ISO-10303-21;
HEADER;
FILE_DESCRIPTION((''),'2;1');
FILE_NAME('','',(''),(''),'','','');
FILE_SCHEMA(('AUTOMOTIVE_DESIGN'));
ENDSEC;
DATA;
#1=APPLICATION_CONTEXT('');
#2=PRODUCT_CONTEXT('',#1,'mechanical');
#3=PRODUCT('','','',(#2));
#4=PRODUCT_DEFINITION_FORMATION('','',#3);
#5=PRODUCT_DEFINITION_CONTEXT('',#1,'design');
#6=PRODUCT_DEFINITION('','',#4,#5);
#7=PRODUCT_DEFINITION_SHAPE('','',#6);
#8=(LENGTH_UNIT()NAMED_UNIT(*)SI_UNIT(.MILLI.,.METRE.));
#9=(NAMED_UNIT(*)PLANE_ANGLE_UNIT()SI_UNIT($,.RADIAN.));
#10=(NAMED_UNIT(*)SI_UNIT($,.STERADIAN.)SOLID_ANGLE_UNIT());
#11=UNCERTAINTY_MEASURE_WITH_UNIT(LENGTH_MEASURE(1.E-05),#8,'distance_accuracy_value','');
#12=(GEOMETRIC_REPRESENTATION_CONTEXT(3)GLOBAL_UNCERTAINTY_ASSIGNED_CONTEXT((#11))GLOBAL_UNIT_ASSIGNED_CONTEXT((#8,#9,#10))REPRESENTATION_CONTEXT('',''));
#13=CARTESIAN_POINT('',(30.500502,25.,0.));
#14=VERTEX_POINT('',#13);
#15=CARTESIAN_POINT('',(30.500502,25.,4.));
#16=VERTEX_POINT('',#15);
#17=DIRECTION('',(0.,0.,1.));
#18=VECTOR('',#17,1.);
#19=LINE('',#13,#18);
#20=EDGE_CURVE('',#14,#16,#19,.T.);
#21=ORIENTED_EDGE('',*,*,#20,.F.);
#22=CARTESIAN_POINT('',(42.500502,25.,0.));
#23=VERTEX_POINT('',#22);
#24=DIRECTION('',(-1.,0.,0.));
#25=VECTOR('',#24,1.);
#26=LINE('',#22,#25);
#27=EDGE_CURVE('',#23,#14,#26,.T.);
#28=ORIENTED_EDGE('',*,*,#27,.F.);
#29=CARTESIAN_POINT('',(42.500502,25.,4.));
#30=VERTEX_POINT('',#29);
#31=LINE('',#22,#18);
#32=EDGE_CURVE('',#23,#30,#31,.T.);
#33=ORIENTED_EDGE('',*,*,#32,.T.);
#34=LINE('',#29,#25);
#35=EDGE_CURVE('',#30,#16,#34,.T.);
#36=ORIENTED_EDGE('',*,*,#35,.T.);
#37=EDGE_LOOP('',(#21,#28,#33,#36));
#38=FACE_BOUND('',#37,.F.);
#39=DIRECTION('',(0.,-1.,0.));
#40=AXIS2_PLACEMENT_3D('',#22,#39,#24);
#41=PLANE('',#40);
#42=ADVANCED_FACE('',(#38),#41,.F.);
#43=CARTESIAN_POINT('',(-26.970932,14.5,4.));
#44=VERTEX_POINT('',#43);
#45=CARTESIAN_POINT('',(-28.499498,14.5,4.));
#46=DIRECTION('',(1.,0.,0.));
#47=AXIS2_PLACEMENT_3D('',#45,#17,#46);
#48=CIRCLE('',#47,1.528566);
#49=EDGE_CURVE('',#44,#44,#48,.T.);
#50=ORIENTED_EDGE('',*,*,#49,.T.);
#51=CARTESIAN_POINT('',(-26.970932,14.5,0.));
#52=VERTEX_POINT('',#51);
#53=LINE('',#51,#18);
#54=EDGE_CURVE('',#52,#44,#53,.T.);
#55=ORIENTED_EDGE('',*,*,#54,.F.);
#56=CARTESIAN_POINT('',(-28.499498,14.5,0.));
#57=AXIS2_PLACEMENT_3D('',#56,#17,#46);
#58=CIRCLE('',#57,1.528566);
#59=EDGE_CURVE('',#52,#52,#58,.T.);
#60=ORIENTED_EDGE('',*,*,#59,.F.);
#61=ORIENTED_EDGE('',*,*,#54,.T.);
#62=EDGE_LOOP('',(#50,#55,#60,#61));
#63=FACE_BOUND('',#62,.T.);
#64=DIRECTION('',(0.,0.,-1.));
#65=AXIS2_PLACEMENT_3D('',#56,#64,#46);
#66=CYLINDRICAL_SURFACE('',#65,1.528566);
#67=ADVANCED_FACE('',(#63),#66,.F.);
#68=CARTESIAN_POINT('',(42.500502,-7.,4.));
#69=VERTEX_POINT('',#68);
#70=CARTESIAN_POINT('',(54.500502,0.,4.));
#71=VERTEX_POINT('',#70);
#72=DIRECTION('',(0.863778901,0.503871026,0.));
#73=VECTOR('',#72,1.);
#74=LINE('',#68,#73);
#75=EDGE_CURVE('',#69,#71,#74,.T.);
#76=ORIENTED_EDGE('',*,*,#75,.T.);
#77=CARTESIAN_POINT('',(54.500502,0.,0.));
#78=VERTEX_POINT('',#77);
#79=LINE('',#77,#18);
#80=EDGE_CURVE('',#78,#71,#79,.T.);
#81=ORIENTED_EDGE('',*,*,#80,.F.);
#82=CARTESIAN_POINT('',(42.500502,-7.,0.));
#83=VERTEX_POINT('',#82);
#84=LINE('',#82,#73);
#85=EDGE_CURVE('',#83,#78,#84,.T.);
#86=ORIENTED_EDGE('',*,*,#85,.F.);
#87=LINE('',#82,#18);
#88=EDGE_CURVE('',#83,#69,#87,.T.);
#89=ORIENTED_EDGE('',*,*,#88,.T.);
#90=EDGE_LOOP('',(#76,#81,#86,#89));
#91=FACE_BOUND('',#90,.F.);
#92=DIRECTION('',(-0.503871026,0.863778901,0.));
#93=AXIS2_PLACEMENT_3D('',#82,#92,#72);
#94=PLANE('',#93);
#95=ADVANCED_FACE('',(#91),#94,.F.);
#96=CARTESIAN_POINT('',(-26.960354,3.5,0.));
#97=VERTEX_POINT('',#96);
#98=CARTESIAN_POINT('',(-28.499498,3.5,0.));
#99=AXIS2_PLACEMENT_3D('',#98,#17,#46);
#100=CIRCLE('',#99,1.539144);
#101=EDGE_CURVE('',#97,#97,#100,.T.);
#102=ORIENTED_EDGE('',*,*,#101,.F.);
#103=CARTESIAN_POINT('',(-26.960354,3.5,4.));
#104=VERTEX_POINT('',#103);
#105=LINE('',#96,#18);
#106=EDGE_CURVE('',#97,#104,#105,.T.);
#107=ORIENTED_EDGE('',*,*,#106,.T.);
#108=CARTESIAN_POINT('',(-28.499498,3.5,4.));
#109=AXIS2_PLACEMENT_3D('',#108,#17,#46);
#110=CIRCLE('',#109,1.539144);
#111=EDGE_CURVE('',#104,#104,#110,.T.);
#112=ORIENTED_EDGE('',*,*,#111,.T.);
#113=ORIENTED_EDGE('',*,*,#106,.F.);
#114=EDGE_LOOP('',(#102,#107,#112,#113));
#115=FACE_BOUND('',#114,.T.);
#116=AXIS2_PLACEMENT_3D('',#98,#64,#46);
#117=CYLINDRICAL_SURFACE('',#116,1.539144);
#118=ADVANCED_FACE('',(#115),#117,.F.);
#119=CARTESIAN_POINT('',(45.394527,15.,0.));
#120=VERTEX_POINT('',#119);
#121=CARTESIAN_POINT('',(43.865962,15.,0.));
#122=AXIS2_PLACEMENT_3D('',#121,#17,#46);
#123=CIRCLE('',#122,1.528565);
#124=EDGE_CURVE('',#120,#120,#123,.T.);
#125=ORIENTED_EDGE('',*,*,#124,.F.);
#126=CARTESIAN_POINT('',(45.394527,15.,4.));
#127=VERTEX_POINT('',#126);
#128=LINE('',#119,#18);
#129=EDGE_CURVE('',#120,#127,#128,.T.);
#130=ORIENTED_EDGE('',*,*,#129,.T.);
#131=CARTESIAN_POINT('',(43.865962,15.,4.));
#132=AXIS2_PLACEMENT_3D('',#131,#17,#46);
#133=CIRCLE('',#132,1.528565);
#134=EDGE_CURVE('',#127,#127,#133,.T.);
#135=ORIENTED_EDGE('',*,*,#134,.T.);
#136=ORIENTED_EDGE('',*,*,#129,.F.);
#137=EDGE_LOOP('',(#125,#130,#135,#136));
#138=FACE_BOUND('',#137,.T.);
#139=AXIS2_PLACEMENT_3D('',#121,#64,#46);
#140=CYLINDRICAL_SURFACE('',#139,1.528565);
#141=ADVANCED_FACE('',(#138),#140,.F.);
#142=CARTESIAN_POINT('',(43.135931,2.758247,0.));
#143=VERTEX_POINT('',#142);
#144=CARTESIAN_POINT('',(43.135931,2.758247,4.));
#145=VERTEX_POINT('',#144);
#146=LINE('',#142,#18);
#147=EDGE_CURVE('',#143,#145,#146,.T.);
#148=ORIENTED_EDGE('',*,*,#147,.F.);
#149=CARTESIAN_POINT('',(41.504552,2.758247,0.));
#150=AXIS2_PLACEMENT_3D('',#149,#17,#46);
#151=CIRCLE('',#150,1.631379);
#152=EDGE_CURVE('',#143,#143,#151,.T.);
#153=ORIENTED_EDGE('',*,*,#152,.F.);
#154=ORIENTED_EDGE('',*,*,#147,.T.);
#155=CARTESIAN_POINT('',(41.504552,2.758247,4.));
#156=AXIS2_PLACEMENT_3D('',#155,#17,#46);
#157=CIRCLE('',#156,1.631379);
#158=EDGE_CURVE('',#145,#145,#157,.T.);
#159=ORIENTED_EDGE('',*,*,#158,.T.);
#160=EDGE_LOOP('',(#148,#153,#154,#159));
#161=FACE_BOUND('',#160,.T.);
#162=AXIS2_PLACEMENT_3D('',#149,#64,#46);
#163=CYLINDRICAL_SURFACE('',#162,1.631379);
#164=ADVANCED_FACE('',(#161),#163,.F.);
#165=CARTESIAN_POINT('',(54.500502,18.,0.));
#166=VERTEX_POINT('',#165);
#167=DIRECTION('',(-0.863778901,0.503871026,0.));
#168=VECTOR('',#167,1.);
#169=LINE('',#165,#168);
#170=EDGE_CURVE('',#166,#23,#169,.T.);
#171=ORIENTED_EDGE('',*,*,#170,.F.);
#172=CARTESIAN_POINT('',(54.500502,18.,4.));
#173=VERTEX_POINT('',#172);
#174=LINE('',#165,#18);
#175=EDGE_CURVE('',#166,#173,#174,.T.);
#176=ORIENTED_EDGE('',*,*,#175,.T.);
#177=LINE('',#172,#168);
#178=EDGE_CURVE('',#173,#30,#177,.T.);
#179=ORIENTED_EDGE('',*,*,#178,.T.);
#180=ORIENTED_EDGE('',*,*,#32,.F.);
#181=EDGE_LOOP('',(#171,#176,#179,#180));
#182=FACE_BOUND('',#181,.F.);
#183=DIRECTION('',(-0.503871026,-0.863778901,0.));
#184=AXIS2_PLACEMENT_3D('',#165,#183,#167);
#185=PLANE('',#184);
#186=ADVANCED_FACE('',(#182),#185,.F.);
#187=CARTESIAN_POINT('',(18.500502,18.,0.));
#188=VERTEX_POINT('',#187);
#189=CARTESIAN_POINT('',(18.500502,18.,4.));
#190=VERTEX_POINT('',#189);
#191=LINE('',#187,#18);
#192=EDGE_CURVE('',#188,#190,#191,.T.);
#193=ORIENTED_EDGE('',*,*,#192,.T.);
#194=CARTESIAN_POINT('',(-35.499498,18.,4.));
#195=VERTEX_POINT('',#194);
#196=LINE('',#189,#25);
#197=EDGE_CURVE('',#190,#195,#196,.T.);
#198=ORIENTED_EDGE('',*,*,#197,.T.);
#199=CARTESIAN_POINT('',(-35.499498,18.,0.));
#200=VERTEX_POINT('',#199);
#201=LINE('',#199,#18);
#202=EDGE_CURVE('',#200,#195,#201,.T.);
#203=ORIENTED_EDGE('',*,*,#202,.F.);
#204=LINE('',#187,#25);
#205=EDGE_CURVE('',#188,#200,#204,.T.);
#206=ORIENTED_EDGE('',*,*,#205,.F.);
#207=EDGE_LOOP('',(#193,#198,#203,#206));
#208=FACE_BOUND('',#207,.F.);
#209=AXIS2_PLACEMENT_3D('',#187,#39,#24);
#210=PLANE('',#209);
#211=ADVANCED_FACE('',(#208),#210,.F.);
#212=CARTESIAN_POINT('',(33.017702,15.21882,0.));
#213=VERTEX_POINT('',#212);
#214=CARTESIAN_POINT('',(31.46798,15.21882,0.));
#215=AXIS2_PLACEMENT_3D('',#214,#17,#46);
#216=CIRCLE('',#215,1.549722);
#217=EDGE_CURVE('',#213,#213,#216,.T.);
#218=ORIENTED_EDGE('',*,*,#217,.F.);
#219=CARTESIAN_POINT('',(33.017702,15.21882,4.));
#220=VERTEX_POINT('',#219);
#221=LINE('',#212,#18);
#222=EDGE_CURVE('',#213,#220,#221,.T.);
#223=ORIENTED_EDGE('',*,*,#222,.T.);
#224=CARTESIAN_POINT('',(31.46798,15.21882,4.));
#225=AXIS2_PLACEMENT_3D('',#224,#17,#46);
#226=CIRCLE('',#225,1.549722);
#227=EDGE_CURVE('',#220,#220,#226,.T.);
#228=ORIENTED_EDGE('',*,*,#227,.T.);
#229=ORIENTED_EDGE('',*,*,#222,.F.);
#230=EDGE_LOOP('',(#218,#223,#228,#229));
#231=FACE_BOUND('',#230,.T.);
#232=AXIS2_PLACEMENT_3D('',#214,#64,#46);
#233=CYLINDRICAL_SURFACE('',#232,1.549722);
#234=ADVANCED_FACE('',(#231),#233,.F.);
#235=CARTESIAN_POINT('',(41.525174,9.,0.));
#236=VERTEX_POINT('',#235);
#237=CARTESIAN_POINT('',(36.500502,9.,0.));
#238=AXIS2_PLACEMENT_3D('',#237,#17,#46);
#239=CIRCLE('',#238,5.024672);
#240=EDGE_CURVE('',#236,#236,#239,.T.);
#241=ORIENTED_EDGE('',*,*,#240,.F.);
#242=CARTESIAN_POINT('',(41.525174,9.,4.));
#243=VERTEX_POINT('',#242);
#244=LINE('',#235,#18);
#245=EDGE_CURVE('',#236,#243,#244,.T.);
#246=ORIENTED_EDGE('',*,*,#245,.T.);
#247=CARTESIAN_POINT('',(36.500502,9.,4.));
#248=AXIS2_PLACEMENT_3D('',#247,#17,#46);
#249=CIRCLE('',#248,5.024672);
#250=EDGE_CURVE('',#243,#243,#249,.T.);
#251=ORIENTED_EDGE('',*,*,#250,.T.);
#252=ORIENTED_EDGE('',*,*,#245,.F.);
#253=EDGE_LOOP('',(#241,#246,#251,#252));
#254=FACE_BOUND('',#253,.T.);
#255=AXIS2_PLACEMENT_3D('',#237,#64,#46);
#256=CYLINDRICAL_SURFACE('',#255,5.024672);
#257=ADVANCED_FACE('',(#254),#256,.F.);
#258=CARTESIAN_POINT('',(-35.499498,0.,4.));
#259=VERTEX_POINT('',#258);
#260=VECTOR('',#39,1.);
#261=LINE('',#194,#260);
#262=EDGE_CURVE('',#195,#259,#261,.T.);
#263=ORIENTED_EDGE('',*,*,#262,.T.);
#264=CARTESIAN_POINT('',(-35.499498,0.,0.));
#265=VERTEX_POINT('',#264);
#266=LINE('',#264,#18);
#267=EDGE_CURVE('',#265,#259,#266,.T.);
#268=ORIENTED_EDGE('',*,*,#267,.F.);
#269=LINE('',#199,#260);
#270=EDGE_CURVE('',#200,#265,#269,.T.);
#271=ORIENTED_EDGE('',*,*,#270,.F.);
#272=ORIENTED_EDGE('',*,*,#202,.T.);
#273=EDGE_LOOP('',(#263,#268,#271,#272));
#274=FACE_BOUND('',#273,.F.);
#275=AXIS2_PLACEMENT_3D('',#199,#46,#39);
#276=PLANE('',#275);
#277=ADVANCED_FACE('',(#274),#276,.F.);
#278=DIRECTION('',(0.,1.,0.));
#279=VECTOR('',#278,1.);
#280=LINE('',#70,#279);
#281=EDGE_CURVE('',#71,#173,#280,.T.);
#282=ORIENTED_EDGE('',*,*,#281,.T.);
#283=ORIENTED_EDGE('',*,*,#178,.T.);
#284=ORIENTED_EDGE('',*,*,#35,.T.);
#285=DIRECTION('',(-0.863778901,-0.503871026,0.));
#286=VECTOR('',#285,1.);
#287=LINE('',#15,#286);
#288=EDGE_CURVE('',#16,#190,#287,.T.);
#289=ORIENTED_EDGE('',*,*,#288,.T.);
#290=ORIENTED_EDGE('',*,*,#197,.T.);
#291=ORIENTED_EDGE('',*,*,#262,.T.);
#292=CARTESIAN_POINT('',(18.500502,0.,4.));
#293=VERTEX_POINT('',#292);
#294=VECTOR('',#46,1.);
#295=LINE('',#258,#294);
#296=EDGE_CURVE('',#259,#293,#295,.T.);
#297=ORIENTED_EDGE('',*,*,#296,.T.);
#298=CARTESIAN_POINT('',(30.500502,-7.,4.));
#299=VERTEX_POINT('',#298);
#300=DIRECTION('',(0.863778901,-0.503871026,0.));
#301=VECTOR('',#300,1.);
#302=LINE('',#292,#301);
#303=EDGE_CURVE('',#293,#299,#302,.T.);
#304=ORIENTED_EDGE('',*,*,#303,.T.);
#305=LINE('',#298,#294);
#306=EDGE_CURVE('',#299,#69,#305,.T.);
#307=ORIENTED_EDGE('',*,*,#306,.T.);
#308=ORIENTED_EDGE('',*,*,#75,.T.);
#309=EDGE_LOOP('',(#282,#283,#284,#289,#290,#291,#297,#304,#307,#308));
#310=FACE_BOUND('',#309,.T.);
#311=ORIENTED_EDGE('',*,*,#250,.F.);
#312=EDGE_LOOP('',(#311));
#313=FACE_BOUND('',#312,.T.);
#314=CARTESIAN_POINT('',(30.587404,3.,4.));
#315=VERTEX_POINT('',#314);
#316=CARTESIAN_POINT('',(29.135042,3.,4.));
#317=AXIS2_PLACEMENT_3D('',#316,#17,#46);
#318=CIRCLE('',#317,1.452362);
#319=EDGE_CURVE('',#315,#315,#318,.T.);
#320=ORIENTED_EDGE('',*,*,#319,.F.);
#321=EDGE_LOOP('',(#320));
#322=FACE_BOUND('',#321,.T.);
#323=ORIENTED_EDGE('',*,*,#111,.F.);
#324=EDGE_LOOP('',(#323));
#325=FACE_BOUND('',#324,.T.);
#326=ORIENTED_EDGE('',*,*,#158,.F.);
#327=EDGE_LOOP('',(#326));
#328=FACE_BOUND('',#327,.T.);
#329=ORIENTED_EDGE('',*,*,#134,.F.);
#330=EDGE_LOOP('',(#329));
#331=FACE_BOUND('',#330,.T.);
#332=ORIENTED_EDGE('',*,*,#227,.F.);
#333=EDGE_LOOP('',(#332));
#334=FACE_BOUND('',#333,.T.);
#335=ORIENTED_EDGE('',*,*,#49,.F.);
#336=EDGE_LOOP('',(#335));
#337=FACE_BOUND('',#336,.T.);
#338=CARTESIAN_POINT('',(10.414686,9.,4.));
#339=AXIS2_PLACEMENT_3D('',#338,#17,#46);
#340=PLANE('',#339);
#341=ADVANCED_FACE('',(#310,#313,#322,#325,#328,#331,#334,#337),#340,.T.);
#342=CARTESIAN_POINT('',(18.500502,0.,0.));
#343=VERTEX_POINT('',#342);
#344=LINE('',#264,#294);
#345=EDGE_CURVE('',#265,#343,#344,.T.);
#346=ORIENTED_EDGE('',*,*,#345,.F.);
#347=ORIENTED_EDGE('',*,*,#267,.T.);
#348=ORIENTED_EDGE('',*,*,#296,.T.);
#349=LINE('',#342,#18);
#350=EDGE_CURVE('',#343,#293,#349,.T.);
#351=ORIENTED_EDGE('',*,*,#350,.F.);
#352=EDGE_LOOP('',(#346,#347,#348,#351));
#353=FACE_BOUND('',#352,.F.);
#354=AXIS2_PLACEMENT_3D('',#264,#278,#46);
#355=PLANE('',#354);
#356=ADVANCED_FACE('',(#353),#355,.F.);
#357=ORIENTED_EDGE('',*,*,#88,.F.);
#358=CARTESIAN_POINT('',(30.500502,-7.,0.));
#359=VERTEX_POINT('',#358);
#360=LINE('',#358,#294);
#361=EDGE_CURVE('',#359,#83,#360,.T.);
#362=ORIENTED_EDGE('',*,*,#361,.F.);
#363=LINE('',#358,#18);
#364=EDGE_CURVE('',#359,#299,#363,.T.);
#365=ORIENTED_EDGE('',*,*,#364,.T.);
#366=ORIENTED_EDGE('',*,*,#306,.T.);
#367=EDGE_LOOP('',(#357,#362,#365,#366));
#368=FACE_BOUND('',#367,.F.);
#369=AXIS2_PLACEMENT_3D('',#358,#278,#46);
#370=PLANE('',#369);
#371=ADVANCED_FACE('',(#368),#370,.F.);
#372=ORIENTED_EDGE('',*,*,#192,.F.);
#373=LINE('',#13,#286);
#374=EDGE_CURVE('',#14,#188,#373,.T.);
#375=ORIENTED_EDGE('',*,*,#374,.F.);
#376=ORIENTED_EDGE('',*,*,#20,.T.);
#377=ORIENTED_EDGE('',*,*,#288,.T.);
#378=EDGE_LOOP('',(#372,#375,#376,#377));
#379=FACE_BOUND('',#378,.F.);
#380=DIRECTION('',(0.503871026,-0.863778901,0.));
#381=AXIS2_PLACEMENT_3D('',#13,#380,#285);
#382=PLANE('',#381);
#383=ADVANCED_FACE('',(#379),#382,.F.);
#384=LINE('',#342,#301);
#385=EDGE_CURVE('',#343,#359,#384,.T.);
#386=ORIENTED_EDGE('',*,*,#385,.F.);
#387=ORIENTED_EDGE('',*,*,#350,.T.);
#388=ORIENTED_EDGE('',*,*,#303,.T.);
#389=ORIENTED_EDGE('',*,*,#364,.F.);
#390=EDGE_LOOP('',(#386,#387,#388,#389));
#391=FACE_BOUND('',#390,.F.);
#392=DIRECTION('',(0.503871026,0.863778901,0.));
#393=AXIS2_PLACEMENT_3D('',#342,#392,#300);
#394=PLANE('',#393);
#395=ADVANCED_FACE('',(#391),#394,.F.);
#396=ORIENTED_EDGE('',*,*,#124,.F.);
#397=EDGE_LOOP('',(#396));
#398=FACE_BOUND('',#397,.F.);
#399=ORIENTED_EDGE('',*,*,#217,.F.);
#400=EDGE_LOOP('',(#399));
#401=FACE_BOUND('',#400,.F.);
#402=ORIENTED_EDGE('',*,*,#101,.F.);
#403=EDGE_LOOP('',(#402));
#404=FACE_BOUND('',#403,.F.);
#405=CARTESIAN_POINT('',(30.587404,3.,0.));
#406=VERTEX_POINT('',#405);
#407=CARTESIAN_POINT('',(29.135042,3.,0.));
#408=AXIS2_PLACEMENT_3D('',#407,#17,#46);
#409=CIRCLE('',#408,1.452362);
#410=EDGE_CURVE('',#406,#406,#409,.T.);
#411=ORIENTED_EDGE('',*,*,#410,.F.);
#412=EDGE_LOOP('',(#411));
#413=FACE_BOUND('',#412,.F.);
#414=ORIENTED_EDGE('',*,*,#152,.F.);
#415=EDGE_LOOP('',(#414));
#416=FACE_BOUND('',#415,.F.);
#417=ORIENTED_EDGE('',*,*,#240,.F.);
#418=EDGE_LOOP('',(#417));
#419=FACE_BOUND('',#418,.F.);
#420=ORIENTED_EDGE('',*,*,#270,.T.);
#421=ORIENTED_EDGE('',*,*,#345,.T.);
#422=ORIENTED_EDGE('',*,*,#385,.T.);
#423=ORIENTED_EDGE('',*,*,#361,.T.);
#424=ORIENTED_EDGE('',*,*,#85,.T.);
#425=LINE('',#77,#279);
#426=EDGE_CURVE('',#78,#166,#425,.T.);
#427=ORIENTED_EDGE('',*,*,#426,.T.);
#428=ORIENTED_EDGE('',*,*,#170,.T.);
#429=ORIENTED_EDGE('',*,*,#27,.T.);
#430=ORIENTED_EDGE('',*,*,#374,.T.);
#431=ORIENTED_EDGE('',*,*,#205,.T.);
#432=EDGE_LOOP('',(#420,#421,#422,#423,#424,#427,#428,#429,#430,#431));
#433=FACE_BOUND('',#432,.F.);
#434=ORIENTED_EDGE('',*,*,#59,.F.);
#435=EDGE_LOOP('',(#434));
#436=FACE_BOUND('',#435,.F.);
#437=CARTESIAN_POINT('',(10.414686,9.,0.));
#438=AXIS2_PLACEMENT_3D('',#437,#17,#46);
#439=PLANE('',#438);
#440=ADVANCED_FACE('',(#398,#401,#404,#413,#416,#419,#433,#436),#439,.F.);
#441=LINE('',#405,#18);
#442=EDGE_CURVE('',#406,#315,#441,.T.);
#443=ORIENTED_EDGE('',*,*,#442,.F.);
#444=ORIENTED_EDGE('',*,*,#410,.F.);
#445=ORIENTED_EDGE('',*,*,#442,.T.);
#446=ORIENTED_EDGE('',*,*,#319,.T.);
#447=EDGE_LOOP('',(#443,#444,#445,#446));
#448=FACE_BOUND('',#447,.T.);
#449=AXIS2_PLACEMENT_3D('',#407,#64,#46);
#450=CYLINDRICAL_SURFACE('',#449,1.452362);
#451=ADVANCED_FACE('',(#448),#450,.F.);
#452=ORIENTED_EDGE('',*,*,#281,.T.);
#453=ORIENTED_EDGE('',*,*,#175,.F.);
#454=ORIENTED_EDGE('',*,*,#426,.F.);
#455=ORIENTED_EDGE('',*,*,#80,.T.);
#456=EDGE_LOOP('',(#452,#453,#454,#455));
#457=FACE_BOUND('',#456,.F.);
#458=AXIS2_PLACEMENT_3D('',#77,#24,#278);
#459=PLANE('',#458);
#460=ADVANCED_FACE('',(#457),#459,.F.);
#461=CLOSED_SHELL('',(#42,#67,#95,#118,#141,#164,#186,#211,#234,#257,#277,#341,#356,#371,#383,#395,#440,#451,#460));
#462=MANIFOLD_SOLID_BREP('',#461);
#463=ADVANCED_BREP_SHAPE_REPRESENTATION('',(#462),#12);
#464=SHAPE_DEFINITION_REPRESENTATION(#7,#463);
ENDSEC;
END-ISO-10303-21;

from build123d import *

# Parameters (mm, degrees)
F0_R     = 1.539144
F0_R_2   = 1.452362
F0_R_3   = 1.631379
F0_R_4   = 1.528566
F0_R_5   = 1.549722
F0_R_6   = 5.024672
F0_R_7   = 1.528565
F1_DEPTH = 4


with BuildPart() as f1:
    # F0 (on Top) → F1 (new body)
    with BuildSketch(Plane.XY):
        Polygon((18.500502, 18), (-35.499498, 18), (-35.499498, 0), (18.500502, 0), (30.500502, -7), (42.500502, -7), (54.500502, 0), (54.500502, 18), (42.500502, 25), (30.500502, 25), align=None)
        with Locations((-28.499498, 3.5)):
            Circle(F0_R, mode=Mode.SUBTRACT)
        with Locations((29.135042, 3)):
            Circle(F0_R_2, mode=Mode.SUBTRACT)
        with Locations((41.504552, 2.758247)):
            Circle(F0_R_3, mode=Mode.SUBTRACT)
        with Locations((-28.499498, 14.5)):
            Circle(F0_R_4, mode=Mode.SUBTRACT)
        with Locations((31.46798, 15.21882)):
            Circle(F0_R_5, mode=Mode.SUBTRACT)
        with Locations((36.500502, 9)):
            Circle(F0_R_6, mode=Mode.SUBTRACT)
        with Locations((43.865962, 15)):
            Circle(F0_R_7, mode=Mode.SUBTRACT)
    extrude(amount=F1_DEPTH)


solid = f1.part
